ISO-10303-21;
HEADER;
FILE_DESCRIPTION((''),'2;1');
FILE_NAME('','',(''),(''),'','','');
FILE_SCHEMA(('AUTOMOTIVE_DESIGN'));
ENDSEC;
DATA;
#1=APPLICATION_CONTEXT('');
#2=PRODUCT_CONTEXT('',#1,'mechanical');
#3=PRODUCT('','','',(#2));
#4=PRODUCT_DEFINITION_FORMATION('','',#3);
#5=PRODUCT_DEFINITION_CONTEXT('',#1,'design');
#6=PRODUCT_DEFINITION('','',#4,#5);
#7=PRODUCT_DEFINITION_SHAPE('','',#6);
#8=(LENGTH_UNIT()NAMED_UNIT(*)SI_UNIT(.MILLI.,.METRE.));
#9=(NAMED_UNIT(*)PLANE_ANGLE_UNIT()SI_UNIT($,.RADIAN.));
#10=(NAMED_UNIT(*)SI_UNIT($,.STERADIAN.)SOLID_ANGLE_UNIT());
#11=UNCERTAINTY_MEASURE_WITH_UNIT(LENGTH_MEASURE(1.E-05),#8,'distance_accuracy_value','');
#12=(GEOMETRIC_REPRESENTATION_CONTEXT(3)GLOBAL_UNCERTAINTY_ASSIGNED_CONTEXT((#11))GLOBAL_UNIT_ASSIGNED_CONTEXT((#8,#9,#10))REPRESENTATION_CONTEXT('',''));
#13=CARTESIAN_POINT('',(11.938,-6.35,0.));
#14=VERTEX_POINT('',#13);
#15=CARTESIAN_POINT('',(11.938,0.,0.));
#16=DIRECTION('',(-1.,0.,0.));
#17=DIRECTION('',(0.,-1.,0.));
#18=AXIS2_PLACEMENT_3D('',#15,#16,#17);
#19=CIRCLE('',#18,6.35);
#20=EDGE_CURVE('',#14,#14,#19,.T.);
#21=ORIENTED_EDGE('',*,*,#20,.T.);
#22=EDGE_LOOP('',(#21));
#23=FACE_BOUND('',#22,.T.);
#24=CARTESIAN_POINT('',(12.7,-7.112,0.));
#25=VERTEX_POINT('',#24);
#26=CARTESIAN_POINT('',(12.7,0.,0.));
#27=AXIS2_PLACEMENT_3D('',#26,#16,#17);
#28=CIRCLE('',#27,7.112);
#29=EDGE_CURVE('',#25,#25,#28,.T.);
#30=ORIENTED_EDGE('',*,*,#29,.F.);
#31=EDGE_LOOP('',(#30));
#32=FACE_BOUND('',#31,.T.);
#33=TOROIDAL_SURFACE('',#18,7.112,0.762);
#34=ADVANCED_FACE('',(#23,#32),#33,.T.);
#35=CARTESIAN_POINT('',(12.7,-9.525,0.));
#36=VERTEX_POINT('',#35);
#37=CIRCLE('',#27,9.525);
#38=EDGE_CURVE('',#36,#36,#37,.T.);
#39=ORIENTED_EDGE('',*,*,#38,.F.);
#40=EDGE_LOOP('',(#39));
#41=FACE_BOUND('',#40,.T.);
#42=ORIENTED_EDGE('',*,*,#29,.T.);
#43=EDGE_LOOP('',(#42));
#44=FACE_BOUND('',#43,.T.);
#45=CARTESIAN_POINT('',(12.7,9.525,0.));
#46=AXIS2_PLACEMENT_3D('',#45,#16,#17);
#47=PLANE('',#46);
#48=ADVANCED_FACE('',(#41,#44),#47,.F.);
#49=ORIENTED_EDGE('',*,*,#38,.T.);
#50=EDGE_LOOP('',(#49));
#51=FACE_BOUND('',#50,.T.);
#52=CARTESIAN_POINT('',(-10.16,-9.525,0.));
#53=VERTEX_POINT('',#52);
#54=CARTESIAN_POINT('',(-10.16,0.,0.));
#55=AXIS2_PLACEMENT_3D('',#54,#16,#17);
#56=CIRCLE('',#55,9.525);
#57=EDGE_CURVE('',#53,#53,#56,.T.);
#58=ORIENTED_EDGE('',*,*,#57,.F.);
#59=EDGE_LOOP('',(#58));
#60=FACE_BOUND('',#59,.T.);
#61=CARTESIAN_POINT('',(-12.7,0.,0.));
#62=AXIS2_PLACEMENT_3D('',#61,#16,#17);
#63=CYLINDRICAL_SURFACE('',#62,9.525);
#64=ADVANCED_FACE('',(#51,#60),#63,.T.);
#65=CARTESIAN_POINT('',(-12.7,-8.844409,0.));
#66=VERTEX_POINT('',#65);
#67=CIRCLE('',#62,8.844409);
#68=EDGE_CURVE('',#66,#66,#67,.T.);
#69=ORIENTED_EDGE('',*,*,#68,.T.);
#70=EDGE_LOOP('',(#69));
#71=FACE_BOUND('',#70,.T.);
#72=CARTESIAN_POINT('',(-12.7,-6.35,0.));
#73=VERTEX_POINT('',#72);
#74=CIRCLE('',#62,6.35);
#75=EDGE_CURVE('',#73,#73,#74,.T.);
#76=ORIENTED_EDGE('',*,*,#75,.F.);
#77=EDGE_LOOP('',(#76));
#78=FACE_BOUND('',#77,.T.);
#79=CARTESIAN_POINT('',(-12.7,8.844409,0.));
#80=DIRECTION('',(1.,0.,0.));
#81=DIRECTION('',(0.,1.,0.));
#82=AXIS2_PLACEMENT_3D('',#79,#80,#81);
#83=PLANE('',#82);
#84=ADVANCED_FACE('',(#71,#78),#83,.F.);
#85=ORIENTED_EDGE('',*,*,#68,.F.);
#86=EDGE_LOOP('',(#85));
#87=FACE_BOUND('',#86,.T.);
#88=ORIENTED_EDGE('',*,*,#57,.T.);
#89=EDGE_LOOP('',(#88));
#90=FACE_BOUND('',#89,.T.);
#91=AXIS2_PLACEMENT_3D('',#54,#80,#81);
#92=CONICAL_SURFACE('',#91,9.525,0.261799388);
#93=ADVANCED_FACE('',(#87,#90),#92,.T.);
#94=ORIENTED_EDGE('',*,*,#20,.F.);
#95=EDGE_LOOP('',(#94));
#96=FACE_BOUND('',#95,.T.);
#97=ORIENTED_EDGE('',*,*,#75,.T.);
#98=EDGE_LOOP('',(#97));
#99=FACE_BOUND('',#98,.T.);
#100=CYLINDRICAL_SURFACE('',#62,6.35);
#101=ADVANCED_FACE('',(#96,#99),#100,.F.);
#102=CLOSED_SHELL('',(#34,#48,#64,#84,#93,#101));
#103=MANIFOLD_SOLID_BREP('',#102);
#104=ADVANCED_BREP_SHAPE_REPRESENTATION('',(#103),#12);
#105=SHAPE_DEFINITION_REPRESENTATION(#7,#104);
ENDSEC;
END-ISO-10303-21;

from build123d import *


with BuildPart() as part:
    # Sketch1 → Revolve1 (revolve)
    with BuildSketch(Plane.XY):
        with BuildLine():
            Line((-12.7, 8.844409051), (-10.16, 9.525))
            Line((-10.16, 9.525), (12.7, 9.525))
            Line((12.7, 9.525), (12.7, 7.112))
            ThreePointArc((12.7, 7.112), (12.476815367, 6.573184633), (11.938, 6.35))
            Line((11.938, 6.35), (-12.7, 6.35))
            Line((-12.7, 6.35), (-12.7, 8.844409051))
        make_face()
    revolve(axis=Axis((-12.7, 0, 0), (1, 0, 0)))


solid = part.part
